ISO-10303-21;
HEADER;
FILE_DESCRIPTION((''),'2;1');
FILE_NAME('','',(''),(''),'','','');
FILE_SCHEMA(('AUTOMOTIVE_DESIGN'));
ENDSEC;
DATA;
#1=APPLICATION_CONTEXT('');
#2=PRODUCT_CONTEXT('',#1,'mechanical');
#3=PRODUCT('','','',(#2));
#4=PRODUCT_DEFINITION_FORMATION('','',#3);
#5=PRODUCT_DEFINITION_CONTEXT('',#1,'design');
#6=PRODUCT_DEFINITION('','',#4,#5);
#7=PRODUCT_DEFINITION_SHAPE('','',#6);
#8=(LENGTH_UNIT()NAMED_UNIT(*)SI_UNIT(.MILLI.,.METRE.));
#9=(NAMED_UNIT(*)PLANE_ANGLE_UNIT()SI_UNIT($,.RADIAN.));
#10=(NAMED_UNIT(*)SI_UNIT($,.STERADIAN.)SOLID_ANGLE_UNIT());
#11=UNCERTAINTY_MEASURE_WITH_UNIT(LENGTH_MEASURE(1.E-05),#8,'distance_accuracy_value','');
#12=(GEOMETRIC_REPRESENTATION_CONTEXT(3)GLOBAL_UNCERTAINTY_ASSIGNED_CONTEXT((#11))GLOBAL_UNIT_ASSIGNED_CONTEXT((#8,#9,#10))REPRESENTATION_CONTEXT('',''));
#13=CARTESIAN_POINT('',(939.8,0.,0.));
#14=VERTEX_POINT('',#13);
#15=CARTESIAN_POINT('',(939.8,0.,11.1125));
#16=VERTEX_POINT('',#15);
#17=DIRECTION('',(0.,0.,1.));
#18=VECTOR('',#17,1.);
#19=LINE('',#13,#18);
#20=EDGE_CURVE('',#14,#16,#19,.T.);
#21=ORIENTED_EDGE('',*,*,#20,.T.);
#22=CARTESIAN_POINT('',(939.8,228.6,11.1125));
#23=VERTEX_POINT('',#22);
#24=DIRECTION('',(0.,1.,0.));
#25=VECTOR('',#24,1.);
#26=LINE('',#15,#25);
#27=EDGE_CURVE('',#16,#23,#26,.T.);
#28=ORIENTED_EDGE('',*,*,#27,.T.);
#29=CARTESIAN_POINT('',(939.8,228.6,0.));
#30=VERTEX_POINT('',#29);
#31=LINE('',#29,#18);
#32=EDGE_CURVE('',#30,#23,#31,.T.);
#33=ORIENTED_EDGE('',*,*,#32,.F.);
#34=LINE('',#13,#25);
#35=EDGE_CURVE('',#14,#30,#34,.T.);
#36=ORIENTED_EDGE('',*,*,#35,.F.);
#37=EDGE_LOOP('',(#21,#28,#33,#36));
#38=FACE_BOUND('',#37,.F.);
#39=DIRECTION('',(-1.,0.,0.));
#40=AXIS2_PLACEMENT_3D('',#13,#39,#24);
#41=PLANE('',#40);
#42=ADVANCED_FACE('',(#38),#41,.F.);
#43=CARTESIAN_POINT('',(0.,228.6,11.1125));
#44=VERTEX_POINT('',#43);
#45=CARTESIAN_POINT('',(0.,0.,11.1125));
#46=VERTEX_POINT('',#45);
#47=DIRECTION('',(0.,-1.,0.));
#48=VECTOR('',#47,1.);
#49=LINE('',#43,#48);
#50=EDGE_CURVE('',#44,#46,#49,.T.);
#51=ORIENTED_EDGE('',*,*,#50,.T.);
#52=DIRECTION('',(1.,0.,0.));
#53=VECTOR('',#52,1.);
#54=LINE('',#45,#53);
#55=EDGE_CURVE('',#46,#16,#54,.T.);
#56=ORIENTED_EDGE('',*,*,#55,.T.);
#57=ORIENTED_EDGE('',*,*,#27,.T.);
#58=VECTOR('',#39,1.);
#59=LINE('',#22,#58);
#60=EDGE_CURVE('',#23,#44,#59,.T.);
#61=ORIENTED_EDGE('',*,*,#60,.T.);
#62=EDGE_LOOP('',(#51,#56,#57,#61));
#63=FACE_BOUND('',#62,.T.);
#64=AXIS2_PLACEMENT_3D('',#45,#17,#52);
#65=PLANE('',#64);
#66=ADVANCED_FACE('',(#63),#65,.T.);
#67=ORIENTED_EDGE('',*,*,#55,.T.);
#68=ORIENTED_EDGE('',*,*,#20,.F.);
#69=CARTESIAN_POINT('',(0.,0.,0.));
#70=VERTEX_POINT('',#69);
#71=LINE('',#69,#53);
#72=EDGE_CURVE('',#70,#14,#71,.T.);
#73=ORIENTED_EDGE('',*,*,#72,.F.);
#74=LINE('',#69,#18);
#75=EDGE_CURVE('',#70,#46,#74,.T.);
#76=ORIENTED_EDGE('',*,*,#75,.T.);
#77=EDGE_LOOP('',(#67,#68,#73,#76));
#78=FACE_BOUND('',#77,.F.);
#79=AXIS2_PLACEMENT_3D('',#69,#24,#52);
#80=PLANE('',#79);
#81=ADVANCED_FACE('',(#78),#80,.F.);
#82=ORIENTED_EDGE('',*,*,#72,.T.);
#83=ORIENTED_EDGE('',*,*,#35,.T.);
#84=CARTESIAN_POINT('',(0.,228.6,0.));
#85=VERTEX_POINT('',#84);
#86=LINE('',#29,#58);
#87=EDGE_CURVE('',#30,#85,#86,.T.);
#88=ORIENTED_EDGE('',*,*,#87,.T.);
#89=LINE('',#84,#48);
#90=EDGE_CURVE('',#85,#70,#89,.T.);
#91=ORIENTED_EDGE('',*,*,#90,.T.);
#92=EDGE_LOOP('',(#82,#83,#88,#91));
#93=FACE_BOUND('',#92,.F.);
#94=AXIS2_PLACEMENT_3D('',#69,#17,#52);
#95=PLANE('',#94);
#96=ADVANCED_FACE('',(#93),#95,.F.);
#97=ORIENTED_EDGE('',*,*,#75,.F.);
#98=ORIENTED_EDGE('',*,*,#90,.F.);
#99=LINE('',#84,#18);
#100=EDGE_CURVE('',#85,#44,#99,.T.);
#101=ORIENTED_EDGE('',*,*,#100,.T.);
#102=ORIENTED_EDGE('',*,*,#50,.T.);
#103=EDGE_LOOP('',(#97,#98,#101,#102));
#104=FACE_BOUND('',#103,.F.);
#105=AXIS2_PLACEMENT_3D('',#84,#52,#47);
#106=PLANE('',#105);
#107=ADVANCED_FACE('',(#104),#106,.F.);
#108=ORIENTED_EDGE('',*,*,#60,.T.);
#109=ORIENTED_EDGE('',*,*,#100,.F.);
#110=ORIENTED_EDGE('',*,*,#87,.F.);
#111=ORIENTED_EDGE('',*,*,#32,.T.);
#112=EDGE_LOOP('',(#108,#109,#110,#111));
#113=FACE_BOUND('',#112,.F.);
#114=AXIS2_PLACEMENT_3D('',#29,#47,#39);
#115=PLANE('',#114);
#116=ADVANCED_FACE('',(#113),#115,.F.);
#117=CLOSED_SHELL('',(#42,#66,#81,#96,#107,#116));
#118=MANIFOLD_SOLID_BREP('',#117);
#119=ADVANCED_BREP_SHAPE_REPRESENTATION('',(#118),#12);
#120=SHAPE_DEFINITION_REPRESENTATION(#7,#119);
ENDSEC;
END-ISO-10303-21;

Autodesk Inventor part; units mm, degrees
ref_plane "YZ Plane" through (0, 0, 0) normal (1, 0, 0) x (0, 1, 0)
ref_plane "XZ Plane" through (0, 0, 0) normal (0, 1, 0) x (-1, 0, 0)
ref_plane "XY Plane" through (0, 0, 0) normal (0, 0, 1) x (1, 0, 0)
sketch "Sketch1" plane through (0, 0, 0) normal (0, 0, 1) x (1, 0, 0)
  line L0 (0, 0) -> (939.8, 0)
  line L1 (939.8, 0) -> (939.8, 228.6)
  line L2 (939.8, 228.6) -> (0, 228.6)
  line L3 (0, 228.6) -> (0, 0)
  line L4 (152.4, 88.9) -> (279.4, 88.9) construction
  line L5 (279.4, 88.9) -> (279.4, 215.9) construction
  line L6 (279.4, 215.9) -> (152.4, 215.9) construction
  line L7 (152.4, 215.9) -> (152.4, 88.9) construction
  line L8 (152.4, 88.9) -> (279.4, 215.9) construction
  line L9 (279.4, 88.9) -> (152.4, 215.9) construction
  circle A0 centre (265.9, 202.4) radius 3.175
  circle A1 centre (265.9, 102.4) radius 3.175
  circle A2 centre (165.9, 102.4) radius 3.175
  circle A3 centre (165.9, 202.4) radius 3.175
  line L10 (273.05, 200.5697) -> (273.05, 104.2303)
  line L11 (273.05, 104.2303) -> (224.8803, 152.4)
  line L12 (224.8803, 152.4) -> (273.05, 200.5697)
  line L13 (167.7303, 209.55) -> (264.0697, 209.55)
  line L14 (264.0697, 209.55) -> (215.9, 161.3803)
  line L15 (215.9, 161.3803) -> (167.7303, 209.55)
  line L16 (158.75, 104.2303) -> (158.75, 200.5697)
  line L17 (158.75, 200.5697) -> (206.9197, 152.4)
  line L18 (206.9197, 152.4) -> (158.75, 104.2303)
  line L19 (264.0697, 95.25) -> (167.7303, 95.25)
  line L20 (167.7303, 95.25) -> (215.9, 143.4197)
  line L21 (215.9, 143.4197) -> (264.0697, 95.25)
  line L22 (279.4, 88.9) -> (406.4, 88.9) construction
  line L23 (406.4, 88.9) -> (406.4, 215.9) construction
  line L24 (406.4, 215.9) -> (279.4, 215.9) construction
  line L25 (279.4, 215.9) -> (279.4, 88.9) construction
  line L26 (279.4, 88.9) -> (406.4, 215.9) construction
  line L27 (406.4, 88.9) -> (279.4, 215.9) construction
  circle A4 centre (392.9, 202.4) radius 3.175
  circle A5 centre (392.9, 102.4) radius 3.175
  circle A6 centre (292.9, 102.4) radius 3.175
  circle A7 centre (292.9, 202.4) radius 3.175
  line L28 (400.05, 200.5697) -> (400.05, 104.2303)
  line L29 (400.05, 104.2303) -> (351.8803, 152.4)
  line L30 (351.8803, 152.4) -> (400.05, 200.5697)
  line L31 (294.7303, 209.55) -> (391.0697, 209.55)
  line L32 (391.0697, 209.55) -> (342.9, 161.3803)
  line L33 (342.9, 161.3803) -> (294.7303, 209.55)
  line L34 (285.75, 104.2303) -> (285.75, 200.5697)
  line L35 (285.75, 200.5697) -> (333.9197, 152.4)
  line L36 (333.9197, 152.4) -> (285.75, 104.2303)
  line L37 (391.0697, 95.25) -> (294.7303, 95.25)
  line L38 (294.7303, 95.25) -> (342.9, 143.4197)
  line L39 (342.9, 143.4197) -> (391.0697, 95.25)
  line L40 (406.4, 88.9) -> (533.4, 88.9) construction
  line L41 (533.4, 88.9) -> (533.4, 215.9) construction
  line L42 (533.4, 215.9) -> (406.4, 215.9) construction
  line L43 (406.4, 215.9) -> (406.4, 88.9) construction
  line L44 (406.4, 88.9) -> (533.4, 215.9) construction
  line L45 (533.4, 88.9) -> (406.4, 215.9) construction
  circle A8 centre (519.9, 202.4) radius 3.175
  circle A9 centre (519.9, 102.4) radius 3.175
  circle A10 centre (419.9, 102.4) radius 3.175
  circle A11 centre (419.9, 202.4) radius 3.175
  line L46 (527.05, 200.5697) -> (527.05, 104.2303)
  line L47 (527.05, 104.2303) -> (478.8803, 152.4)
  line L48 (478.8803, 152.4) -> (527.05, 200.5697)
  line L49 (421.7303, 209.55) -> (518.0697, 209.55)
  line L50 (518.0697, 209.55) -> (469.9, 161.3803)
  line L51 (469.9, 161.3803) -> (421.7303, 209.55)
  line L52 (412.75, 104.2303) -> (412.75, 200.5697)
  line L53 (412.75, 200.5697) -> (460.9197, 152.4)
  line L54 (460.9197, 152.4) -> (412.75, 104.2303)
  line L55 (518.0697, 95.25) -> (421.7303, 95.25)
  line L56 (421.7303, 95.25) -> (469.9, 143.4197)
  line L57 (469.9, 143.4197) -> (518.0697, 95.25)
  line L58 (533.4, 88.9) -> (660.4, 88.9) construction
  line L59 (660.4, 88.9) -> (660.4, 215.9) construction
  line L60 (660.4, 215.9) -> (533.4, 215.9) construction
  line L61 (533.4, 215.9) -> (533.4, 88.9) construction
  line L62 (533.4, 88.9) -> (660.4, 215.9) construction
  line L63 (660.4, 88.9) -> (533.4, 215.9) construction
  circle A12 centre (646.9, 202.4) radius 3.175
  circle A13 centre (646.9, 102.4) radius 3.175
  circle A14 centre (546.9, 102.4) radius 3.175
  circle A15 centre (546.9, 202.4) radius 3.175
  line L64 (654.05, 200.5697) -> (654.05, 104.2303)
  line L65 (654.05, 104.2303) -> (605.8803, 152.4)
  line L66 (605.8803, 152.4) -> (654.05, 200.5697)
  line L67 (548.7303, 209.55) -> (645.0697, 209.55)
  line L68 (645.0697, 209.55) -> (596.9, 161.3803)
  line L69 (596.9, 161.3803) -> (548.7303, 209.55)
  line L70 (539.75, 104.2303) -> (539.75, 200.5697)
  line L71 (539.75, 200.5697) -> (587.9197, 152.4)
  line L72 (587.9197, 152.4) -> (539.75, 104.2303)
  line L73 (645.0697, 95.25) -> (548.7303, 95.25)
  line L74 (548.7303, 95.25) -> (596.9, 143.4197)
  line L75 (596.9, 143.4197) -> (645.0697, 95.25)
  line L76 (660.4, 88.9) -> (787.4, 88.9) construction
  line L77 (787.4, 88.9) -> (787.4, 215.9) construction
  line L78 (787.4, 215.9) -> (660.4, 215.9) construction
  line L79 (660.4, 215.9) -> (660.4, 88.9) construction
  line L80 (660.4, 88.9) -> (787.4, 215.9) construction
  line L81 (787.4, 88.9) -> (660.4, 215.9) construction
  circle A16 centre (773.9, 202.4) radius 3.175
  circle A17 centre (773.9, 102.4) radius 3.175
  circle A18 centre (673.9, 102.4) radius 3.175
  circle A19 centre (673.9, 202.4) radius 3.175
  line L82 (781.05, 200.5697) -> (781.05, 104.2303)
  line L83 (781.05, 104.2303) -> (732.8803, 152.4)
  line L84 (732.8803, 152.4) -> (781.05, 200.5697)
  line L85 (675.7303, 209.55) -> (772.0697, 209.55)
  line L86 (772.0697, 209.55) -> (723.9, 161.3803)
  line L87 (723.9, 161.3803) -> (675.7303, 209.55)
  line L88 (666.75, 104.2303) -> (666.75, 200.5697)
  line L89 (666.75, 200.5697) -> (714.9197, 152.4)
  line L90 (714.9197, 152.4) -> (666.75, 104.2303)
  line L91 (772.0697, 95.25) -> (675.7303, 95.25)
  line L92 (675.7303, 95.25) -> (723.9, 143.4197)
  line L93 (723.9, 143.4197) -> (772.0697, 95.25)
  point P0 (215.9, 152.4)
  point P1 (342.9, 152.4)
  point P2 (469.9, 152.4)
  point P3 (596.9, 152.4)
  point P4 (723.9, 152.4)
  dimension "d0" = 939.8
  dimension "d1" = 228.6
  dimension "d4" = 152.4
  dimension "d6" = 127
  dimension "d7" = 127
  dimension "d10" = 12.7
  dimension "d18" = 100
  dimension "d19" = 100
  dimension "d20" = 6.35
  dimension "d21" = 6.35
  dimension "d22" = 6.35
  dimension "d23" = 6.35
  dimension "d26" = 360
  dimension "d30" = 127
extrude "Extrusion1" add sketch "Sketch1" along normal blind 11.1125 contours L3 L2 L1 L0 | A0 | A1 | A2 | A3 | L10 L11 L12 | L13 L14 L15 | L16 L17 L18 | L19 L20 L21 | A4 | A5 | A6 | A7 | L28 L29 L30 | L31 L32 L33 | L34 L35 L36 | L37 L38 L39 | A8 | A9 | A10 | A11 | L46 L47 L48 | L49 L50 L51 | L52 L53 L54 | L55 L56 L57 | A12 | A13 | A14 | A15 | L64 L65 L66 | L67 L68 L69 | L70 L71 L72 | L73 L74 L75 | A16 | A17 | A18 | A19 | L82 L83 L84 | L85 L86 L87 | L88 L89 L90 | L91 L92 L93
fillet "Fillet1" [suppressed]
properties part number "plywood back pannel 2"
